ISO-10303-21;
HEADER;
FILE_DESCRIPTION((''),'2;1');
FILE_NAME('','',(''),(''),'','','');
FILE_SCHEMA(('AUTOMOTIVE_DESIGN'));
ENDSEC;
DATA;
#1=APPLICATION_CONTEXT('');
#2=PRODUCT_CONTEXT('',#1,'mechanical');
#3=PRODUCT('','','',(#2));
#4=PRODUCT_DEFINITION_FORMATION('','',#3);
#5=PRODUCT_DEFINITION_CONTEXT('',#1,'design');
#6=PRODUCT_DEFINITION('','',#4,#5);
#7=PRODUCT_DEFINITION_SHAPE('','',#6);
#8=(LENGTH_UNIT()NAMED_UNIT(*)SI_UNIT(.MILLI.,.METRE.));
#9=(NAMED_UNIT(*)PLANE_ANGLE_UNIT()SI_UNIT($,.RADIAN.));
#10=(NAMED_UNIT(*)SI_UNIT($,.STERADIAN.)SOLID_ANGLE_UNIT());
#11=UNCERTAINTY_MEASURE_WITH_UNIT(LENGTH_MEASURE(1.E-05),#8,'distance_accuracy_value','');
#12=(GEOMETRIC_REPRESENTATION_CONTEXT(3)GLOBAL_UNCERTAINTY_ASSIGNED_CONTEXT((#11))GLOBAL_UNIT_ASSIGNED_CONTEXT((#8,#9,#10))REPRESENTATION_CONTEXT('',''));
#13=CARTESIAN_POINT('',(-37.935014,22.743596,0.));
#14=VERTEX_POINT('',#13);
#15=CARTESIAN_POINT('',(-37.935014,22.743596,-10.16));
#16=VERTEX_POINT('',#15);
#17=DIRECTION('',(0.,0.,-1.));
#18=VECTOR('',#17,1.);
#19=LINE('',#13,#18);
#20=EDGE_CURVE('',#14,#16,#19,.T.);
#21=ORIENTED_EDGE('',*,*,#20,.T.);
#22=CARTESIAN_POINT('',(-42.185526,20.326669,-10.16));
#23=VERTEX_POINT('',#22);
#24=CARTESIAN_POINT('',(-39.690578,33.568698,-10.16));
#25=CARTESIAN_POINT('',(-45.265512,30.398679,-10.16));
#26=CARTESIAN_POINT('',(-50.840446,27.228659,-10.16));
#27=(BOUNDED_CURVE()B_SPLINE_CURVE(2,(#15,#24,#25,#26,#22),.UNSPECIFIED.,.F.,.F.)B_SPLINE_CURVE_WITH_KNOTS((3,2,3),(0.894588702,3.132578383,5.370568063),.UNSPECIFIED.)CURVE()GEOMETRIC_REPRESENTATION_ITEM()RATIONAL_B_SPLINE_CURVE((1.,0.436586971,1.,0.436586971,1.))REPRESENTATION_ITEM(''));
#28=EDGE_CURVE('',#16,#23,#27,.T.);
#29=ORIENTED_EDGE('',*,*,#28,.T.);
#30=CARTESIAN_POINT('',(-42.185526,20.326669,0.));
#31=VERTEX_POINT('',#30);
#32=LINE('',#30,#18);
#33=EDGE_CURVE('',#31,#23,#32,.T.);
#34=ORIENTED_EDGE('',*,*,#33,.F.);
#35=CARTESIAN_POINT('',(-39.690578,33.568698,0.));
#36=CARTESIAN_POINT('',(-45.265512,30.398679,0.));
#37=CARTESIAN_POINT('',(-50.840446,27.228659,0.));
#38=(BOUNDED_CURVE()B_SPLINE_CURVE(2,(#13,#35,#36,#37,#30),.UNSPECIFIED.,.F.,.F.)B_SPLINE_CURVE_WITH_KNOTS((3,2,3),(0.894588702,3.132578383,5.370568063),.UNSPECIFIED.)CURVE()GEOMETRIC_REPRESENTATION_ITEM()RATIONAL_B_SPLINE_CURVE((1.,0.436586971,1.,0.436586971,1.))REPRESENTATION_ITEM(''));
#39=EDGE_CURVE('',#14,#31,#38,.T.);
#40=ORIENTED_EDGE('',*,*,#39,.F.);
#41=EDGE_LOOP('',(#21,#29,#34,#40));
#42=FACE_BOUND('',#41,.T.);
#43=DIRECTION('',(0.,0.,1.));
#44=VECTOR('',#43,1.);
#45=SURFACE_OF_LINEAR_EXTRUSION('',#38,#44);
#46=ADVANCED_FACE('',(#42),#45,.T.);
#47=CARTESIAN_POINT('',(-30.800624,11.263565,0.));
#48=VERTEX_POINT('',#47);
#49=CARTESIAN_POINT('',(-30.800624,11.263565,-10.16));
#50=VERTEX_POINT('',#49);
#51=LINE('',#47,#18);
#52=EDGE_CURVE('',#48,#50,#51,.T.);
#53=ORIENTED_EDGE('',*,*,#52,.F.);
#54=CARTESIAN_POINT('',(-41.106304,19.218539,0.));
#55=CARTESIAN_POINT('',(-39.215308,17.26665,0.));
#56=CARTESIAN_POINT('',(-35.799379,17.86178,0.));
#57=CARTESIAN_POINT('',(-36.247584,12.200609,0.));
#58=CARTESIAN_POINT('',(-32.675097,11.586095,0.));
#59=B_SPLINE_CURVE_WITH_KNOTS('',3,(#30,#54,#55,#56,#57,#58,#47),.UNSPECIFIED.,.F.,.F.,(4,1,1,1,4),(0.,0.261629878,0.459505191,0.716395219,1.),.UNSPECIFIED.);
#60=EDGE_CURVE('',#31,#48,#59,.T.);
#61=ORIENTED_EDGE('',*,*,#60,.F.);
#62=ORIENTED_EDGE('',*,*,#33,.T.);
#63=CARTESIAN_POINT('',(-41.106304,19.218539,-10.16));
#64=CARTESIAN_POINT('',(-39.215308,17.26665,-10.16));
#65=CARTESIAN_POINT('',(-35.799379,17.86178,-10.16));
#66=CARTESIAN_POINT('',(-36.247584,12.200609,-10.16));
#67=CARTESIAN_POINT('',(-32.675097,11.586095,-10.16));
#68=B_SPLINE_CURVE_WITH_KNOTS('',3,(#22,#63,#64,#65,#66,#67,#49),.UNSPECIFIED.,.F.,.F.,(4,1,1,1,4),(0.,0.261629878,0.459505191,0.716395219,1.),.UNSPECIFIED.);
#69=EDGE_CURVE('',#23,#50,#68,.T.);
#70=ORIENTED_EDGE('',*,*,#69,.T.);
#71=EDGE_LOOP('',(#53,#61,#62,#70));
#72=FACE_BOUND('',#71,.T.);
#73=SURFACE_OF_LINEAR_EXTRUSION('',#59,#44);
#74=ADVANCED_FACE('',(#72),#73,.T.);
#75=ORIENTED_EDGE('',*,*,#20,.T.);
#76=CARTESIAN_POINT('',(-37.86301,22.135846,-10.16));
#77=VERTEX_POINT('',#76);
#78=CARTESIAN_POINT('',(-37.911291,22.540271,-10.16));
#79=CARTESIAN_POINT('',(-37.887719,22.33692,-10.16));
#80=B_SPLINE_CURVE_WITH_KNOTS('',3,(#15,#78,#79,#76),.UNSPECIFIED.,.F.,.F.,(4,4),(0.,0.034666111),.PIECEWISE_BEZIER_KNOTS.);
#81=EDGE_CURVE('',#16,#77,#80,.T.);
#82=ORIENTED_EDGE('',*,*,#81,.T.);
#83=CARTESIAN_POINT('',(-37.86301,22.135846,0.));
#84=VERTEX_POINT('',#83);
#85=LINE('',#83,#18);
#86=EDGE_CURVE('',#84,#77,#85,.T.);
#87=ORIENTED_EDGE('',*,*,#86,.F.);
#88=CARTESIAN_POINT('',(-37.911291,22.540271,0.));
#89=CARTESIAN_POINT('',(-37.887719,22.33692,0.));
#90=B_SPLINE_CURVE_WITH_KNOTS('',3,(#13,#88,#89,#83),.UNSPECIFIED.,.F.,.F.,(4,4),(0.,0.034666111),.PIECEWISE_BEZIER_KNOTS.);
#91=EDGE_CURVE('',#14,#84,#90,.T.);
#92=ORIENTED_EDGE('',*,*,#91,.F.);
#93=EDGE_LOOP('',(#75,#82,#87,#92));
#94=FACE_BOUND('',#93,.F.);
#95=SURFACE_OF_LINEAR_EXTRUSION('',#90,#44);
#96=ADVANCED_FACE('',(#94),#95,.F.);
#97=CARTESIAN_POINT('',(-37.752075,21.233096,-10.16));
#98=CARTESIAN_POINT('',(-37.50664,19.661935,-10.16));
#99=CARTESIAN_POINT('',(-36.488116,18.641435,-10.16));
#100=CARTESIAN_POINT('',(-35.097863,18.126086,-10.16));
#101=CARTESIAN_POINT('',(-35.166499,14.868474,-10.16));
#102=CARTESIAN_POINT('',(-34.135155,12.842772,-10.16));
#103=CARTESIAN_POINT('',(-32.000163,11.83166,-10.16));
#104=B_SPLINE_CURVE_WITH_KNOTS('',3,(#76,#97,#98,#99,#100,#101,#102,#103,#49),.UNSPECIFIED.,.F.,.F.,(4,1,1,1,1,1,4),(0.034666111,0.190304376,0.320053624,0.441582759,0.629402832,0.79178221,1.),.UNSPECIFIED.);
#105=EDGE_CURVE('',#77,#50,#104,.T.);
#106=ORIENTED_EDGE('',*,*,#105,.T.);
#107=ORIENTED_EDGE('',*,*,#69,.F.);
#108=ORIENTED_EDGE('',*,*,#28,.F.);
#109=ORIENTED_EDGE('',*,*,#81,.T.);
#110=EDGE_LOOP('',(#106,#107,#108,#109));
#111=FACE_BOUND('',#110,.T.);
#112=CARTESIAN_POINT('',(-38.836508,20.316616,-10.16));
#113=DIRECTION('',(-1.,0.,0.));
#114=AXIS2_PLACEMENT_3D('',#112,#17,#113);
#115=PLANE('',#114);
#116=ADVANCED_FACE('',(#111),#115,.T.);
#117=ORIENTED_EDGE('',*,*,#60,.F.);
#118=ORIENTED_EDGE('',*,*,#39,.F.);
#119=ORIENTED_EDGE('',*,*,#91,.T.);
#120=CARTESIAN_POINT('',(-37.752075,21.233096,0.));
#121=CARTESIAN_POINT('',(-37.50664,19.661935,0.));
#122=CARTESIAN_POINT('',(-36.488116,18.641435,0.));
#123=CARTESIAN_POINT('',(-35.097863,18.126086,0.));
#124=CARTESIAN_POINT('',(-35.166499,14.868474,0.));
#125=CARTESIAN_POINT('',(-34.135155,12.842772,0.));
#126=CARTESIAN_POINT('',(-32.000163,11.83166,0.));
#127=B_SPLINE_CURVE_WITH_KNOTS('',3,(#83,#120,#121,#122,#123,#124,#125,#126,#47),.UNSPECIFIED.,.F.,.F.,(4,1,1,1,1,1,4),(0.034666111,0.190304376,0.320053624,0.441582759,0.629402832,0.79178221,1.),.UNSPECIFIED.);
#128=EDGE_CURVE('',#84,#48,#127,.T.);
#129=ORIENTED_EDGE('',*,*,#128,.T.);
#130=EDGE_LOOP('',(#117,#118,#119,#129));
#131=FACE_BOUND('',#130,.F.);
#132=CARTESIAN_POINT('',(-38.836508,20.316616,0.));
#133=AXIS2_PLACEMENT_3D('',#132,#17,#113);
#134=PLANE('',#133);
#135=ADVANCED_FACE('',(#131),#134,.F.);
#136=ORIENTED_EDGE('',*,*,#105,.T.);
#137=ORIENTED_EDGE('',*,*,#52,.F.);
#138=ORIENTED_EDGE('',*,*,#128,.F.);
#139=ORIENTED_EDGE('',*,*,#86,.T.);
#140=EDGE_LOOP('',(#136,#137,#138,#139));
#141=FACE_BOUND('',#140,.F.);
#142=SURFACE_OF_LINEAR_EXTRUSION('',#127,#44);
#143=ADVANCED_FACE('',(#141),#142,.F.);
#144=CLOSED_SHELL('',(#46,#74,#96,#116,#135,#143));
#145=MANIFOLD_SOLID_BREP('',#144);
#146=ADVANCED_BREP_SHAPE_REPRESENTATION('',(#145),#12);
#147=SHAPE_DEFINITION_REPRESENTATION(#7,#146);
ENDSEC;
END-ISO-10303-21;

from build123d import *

# Parameters (mm, degrees)
F1_DEPTH = 10.16


with BuildPart() as f1:
    # F0 (on Top) → F1 (new body)
    with BuildSketch(Plane.XY):
        with BuildLine():
            add(Edge.make_bspline(
                [(-37.8630098161, 22.1358455967), (-37.7520751064, 21.2330961833), (-37.5066395246, 19.6619350065), (-36.4881157119, 18.6414345738), (-35.0978625252, 18.1260864107), (-35.1664991119, 14.8684744869), (-34.1351550905, 12.84277192), (-32.0001625336, 11.8316603866), (-30.8006238192, 11.2635651603)],
                knots=[0.0346661114, 0.0346661114, 0.0346661114, 0.0346661114, 0.1903043763, 0.3200536239, 0.4415827588, 0.6294028324, 0.7917822096, 1, 1, 1, 1], degree=3))
            add(Edge.make_bspline(
                [(-37.9350142154, 22.7435956475), (-37.9112910755, 22.5402710112), (-37.8877188747, 22.3369196177), (-37.8630098161, 22.1358455967)],
                knots=[0, 0, 0, 0, 0.0346661114, 0.0346661114, 0.0346661114, 0.0346661114], degree=3))
            add(Edge.make_bspline(
                [(-37.9350142154, 22.7435956475), (-39.690577574, 33.5686982344), (-45.2655116723, 30.3986787814), (-50.8404457706, 27.2286593283), (-42.185526455, 20.3266690531)],
                knots=[0.8945887025, 0.8945887025, 0.8945887025, 3.1325783827, 3.1325783827, 5.3705680628, 5.3705680628, 5.3705680628], degree=2, weights=[1, 0.4365869709, 1, 0.4365869709, 1]))
            add(Edge.make_bspline(
                [(-42.185526455, 20.3266690531), (-41.1063042683, 19.2185393417), (-39.2153077229, 17.2666497296), (-35.7993788568, 17.8617800122), (-36.2475843736, 12.200608651), (-32.6750971736, 11.5860949333), (-30.8006238192, 11.2635651603)],
                knots=[0, 0, 0, 0, 0.2616298784, 0.4595051913, 0.716395219, 1, 1, 1, 1], degree=3))
        make_face()
    extrude(amount=-F1_DEPTH)


solid = f1.part
